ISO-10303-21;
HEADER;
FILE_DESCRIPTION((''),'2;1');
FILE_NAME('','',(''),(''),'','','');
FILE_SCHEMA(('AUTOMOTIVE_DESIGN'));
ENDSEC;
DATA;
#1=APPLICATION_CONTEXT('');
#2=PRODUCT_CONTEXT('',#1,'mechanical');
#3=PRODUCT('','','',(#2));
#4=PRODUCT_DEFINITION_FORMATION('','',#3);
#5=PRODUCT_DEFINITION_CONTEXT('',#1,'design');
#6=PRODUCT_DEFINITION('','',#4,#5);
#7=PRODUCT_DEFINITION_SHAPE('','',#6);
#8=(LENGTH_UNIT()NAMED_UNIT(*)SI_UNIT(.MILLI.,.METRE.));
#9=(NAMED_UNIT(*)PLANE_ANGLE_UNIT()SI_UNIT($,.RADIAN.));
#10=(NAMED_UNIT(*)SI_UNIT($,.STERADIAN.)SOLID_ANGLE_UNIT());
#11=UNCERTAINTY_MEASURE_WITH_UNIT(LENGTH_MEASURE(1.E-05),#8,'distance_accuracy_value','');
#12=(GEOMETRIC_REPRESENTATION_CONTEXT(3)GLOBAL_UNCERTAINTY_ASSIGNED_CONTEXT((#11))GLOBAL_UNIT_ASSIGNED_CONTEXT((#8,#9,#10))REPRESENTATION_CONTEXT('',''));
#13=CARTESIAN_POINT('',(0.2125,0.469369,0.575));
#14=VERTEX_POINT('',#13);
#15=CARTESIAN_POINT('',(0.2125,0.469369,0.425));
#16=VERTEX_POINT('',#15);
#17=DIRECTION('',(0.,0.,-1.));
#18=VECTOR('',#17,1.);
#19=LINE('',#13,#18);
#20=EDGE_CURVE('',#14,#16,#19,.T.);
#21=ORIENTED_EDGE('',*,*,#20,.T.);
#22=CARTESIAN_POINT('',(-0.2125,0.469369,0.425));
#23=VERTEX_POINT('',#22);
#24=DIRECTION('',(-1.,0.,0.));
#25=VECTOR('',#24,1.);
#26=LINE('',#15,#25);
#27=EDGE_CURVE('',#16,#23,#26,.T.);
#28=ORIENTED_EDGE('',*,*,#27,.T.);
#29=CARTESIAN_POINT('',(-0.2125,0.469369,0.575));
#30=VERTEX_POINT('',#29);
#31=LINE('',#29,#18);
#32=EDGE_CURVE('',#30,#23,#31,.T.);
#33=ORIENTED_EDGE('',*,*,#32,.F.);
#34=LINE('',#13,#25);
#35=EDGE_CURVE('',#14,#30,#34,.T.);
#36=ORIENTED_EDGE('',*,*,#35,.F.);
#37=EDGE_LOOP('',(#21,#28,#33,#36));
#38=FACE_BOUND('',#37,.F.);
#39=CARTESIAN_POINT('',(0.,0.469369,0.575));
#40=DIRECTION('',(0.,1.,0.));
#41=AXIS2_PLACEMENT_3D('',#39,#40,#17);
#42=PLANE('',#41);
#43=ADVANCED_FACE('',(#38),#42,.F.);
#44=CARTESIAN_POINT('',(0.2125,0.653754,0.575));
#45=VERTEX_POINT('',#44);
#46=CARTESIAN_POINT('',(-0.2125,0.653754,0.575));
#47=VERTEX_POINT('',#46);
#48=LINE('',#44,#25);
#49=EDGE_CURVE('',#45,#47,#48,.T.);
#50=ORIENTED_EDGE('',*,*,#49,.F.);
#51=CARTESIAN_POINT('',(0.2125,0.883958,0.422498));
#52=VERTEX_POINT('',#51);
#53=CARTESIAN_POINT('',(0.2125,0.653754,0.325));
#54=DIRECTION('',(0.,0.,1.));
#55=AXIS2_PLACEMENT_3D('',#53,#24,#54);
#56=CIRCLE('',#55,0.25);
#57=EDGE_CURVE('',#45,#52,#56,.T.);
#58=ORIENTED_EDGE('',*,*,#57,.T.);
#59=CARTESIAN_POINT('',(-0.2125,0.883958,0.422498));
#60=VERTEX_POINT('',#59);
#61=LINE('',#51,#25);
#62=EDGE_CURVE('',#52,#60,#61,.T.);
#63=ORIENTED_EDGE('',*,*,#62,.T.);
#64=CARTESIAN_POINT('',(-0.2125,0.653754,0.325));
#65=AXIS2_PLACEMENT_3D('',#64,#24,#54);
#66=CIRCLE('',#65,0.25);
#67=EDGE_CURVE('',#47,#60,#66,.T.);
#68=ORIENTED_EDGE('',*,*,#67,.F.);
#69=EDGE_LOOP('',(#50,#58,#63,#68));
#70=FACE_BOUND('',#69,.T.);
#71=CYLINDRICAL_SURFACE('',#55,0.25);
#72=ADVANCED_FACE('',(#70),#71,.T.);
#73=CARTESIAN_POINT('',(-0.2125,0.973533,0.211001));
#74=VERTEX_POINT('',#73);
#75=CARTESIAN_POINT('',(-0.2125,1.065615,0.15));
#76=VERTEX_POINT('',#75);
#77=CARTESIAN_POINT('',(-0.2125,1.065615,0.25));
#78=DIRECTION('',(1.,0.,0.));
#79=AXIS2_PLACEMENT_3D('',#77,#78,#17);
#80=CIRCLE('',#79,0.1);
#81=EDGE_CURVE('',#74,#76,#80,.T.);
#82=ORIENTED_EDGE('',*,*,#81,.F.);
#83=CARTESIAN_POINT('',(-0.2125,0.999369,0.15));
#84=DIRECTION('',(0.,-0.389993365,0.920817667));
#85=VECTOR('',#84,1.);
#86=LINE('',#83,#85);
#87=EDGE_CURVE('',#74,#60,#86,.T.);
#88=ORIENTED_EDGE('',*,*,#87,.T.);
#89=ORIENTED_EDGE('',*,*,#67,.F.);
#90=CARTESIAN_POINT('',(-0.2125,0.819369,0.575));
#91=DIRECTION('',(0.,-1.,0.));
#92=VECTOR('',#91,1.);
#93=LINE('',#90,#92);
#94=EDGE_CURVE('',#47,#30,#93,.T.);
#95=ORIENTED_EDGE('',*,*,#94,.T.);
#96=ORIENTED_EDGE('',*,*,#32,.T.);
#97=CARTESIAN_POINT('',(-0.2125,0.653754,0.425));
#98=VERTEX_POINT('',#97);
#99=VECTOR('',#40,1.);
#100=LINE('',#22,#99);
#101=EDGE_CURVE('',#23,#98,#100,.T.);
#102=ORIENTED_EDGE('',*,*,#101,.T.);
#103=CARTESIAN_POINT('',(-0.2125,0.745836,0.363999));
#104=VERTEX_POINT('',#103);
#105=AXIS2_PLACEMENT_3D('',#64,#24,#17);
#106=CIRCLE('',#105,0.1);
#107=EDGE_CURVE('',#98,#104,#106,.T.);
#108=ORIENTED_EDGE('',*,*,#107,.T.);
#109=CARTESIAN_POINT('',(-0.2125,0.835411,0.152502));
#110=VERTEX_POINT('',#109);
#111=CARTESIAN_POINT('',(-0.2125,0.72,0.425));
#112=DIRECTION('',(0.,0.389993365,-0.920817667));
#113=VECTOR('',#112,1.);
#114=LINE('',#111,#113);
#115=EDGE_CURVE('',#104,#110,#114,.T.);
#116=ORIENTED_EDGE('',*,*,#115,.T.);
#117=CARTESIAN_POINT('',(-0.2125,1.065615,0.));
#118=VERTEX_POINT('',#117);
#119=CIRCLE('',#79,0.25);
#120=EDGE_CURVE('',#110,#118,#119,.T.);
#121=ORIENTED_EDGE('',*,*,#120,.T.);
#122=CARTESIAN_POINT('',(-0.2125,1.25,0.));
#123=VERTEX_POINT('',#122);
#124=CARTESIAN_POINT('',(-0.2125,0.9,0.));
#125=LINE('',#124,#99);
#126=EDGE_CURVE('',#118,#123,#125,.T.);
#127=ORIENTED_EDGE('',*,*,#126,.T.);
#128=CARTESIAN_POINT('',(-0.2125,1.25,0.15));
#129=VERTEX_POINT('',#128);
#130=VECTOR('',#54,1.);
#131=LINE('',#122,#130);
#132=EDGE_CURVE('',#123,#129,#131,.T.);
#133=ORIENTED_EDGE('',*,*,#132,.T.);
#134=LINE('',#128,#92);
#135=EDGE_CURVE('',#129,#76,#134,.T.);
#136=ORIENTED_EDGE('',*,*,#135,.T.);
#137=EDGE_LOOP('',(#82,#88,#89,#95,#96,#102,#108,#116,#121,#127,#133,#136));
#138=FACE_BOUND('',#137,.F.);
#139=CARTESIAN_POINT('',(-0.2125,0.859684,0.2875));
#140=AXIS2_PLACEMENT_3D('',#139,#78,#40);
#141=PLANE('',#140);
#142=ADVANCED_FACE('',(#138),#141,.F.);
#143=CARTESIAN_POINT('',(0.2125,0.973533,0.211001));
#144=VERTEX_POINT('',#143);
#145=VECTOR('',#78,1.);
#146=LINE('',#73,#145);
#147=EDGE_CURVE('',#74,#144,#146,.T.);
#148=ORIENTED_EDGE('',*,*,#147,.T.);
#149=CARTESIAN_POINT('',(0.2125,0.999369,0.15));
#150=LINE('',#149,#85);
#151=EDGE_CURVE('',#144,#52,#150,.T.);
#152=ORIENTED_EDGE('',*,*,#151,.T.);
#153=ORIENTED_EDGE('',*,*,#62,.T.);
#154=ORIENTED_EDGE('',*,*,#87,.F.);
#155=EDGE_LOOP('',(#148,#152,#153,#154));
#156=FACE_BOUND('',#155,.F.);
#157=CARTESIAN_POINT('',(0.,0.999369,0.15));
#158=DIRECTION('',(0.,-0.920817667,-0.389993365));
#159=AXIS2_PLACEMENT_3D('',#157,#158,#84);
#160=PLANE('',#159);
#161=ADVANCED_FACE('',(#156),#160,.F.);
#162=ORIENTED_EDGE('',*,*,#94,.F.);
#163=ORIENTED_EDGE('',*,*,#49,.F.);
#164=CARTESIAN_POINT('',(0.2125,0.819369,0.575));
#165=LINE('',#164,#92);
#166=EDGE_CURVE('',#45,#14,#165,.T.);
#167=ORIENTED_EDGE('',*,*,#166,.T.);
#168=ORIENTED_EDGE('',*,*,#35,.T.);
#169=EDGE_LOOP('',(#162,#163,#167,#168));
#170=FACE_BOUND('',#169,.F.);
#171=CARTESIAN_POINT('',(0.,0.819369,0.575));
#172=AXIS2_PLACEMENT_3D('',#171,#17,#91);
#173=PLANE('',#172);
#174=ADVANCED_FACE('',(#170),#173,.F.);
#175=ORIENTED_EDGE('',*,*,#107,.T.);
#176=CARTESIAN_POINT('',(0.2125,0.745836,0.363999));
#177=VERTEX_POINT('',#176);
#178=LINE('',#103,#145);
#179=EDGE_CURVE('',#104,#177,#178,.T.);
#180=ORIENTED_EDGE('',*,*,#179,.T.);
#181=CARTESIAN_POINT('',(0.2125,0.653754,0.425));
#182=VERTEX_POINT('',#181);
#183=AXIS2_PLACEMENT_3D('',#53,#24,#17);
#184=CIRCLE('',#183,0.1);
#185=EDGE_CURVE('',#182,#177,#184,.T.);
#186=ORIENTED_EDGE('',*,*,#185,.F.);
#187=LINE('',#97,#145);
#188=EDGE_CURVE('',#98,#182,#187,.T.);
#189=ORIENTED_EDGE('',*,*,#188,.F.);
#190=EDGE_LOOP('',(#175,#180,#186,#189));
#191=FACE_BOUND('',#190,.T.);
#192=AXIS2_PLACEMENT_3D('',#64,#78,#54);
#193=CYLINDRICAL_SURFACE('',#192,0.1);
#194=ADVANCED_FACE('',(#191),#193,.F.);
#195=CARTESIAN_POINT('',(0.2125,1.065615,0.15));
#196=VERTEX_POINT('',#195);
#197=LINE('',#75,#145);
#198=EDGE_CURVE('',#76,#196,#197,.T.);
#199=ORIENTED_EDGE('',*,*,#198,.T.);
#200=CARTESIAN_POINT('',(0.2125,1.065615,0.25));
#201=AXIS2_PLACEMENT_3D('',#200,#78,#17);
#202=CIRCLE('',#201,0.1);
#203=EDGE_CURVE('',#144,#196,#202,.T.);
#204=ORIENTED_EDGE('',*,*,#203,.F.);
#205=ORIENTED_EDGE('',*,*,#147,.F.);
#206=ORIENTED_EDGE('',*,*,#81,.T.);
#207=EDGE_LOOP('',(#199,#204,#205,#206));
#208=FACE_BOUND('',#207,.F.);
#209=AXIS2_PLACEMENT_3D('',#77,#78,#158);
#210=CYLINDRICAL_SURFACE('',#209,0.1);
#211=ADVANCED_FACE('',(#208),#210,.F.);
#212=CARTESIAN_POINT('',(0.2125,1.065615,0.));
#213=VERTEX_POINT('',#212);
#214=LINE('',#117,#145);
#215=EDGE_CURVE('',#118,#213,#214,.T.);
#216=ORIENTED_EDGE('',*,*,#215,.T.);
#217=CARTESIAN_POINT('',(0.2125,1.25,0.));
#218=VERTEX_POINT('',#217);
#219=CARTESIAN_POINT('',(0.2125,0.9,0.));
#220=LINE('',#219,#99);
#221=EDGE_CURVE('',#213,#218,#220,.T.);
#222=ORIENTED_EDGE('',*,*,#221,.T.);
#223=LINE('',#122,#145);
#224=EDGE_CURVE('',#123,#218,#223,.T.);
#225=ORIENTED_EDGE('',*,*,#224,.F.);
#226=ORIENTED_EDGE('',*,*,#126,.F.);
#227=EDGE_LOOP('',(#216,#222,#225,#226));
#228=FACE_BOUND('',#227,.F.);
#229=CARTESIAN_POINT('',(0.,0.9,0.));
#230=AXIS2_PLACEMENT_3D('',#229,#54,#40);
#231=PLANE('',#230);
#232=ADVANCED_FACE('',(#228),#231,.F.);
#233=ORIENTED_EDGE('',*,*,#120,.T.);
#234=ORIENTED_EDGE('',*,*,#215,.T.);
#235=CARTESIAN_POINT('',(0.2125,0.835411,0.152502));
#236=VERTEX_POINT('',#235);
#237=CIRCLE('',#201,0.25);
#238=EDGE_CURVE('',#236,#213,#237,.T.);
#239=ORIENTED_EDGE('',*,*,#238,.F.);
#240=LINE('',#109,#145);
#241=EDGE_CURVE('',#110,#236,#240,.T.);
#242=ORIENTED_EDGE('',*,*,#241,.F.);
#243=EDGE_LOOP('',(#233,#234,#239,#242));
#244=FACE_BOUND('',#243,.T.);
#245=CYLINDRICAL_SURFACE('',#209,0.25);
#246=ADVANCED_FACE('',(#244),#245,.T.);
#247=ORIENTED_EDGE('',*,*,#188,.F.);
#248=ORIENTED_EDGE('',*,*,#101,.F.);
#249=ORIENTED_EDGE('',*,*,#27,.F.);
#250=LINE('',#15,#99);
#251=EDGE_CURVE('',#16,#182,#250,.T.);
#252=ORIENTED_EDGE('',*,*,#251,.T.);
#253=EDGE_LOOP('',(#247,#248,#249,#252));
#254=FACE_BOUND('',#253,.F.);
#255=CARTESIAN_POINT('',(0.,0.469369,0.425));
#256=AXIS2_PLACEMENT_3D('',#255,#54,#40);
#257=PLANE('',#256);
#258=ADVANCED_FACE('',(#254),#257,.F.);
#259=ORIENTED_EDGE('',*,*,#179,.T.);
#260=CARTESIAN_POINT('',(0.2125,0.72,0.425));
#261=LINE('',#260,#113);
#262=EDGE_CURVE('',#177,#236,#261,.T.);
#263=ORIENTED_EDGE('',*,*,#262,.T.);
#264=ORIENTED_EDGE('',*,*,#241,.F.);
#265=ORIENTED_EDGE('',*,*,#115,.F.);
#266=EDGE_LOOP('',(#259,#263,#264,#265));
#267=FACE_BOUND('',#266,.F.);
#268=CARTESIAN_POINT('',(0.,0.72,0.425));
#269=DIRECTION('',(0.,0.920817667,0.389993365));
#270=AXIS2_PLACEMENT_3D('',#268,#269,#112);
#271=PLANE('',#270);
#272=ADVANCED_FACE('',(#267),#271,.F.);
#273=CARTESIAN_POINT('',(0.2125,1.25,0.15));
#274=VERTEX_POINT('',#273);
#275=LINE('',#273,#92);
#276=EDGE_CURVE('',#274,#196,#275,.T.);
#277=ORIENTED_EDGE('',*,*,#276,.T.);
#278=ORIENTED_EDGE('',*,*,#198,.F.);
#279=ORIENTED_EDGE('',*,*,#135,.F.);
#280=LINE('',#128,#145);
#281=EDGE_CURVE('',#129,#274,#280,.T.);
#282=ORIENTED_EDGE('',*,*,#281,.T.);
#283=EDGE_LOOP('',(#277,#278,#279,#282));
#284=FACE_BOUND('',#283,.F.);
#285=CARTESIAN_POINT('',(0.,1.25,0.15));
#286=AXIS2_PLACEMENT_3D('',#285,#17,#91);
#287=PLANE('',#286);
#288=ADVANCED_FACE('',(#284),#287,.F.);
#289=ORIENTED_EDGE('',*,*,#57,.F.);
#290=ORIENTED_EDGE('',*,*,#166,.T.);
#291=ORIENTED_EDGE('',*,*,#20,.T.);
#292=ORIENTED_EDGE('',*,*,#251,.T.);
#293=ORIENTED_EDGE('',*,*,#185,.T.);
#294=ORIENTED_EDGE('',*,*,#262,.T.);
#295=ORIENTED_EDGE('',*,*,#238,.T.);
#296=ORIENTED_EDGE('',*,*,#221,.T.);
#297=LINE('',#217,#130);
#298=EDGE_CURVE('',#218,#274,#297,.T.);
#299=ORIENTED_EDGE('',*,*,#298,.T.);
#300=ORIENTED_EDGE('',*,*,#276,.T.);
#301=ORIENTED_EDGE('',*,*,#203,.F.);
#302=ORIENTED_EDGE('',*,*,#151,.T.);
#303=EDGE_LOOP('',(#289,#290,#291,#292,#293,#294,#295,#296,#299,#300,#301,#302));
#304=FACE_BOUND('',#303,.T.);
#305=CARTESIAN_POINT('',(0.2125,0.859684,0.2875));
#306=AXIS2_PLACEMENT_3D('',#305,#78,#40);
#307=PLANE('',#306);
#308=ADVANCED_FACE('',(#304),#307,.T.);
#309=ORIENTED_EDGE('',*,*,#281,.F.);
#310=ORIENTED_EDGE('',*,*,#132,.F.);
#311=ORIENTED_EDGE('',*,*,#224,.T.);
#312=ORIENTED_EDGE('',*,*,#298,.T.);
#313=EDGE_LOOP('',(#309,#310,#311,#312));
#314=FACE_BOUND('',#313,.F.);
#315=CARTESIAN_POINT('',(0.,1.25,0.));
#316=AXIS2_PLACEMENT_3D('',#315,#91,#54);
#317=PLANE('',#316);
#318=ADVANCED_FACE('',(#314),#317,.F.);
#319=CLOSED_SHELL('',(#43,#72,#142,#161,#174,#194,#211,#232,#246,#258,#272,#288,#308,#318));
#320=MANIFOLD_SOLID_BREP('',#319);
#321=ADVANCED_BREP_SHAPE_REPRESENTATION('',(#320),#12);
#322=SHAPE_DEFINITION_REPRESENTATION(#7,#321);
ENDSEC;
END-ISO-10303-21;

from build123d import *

# Parameters (mm, degrees)
PAD001_DEPTH            = 0.2125
FILLET_R                = 0.1
FILLET001_R             = 0.25
BODY001_PLACEMENT_ANGLE = 180


with BuildPart() as part:
    # Sketch001 → Pad001 (new body, symmetric)
    with BuildSketch(Plane.YZ):
        Polygon((-0.469369, 0.425), (-0.72, 0.425), (-0.9, 0), (-1.25, 0), (-1.25, 0.15), (-0.999369, 0.15), (-0.819369, 0.575), (-0.469369, 0.575), align=None)
    extrude(amount=PAD001_DEPTH, both=True)

    # Fillet
    fillet_edges = [part.edges().sort_by_distance(p)[0] for p in [
        (0, -0.999369, 0.15),
        (0, -0.72, 0.425),
    ]]
    fillet(fillet_edges, radius=FILLET_R)

    # Fillet001
    fillet001_edges = [part.edges().sort_by_distance(p)[0] for p in [
        (0, -0.9, 0),
        (0, -0.819369, 0.575),
    ]]
    fillet(fillet001_edges, radius=FILLET001_R)


with BuildPart() as part_1:
    # Body001 placement: moved
    add(part.part.rotate(Axis((0, 0, 0), (0, 0, 1)), BODY001_PLACEMENT_ANGLE))


solid = part_1.part
